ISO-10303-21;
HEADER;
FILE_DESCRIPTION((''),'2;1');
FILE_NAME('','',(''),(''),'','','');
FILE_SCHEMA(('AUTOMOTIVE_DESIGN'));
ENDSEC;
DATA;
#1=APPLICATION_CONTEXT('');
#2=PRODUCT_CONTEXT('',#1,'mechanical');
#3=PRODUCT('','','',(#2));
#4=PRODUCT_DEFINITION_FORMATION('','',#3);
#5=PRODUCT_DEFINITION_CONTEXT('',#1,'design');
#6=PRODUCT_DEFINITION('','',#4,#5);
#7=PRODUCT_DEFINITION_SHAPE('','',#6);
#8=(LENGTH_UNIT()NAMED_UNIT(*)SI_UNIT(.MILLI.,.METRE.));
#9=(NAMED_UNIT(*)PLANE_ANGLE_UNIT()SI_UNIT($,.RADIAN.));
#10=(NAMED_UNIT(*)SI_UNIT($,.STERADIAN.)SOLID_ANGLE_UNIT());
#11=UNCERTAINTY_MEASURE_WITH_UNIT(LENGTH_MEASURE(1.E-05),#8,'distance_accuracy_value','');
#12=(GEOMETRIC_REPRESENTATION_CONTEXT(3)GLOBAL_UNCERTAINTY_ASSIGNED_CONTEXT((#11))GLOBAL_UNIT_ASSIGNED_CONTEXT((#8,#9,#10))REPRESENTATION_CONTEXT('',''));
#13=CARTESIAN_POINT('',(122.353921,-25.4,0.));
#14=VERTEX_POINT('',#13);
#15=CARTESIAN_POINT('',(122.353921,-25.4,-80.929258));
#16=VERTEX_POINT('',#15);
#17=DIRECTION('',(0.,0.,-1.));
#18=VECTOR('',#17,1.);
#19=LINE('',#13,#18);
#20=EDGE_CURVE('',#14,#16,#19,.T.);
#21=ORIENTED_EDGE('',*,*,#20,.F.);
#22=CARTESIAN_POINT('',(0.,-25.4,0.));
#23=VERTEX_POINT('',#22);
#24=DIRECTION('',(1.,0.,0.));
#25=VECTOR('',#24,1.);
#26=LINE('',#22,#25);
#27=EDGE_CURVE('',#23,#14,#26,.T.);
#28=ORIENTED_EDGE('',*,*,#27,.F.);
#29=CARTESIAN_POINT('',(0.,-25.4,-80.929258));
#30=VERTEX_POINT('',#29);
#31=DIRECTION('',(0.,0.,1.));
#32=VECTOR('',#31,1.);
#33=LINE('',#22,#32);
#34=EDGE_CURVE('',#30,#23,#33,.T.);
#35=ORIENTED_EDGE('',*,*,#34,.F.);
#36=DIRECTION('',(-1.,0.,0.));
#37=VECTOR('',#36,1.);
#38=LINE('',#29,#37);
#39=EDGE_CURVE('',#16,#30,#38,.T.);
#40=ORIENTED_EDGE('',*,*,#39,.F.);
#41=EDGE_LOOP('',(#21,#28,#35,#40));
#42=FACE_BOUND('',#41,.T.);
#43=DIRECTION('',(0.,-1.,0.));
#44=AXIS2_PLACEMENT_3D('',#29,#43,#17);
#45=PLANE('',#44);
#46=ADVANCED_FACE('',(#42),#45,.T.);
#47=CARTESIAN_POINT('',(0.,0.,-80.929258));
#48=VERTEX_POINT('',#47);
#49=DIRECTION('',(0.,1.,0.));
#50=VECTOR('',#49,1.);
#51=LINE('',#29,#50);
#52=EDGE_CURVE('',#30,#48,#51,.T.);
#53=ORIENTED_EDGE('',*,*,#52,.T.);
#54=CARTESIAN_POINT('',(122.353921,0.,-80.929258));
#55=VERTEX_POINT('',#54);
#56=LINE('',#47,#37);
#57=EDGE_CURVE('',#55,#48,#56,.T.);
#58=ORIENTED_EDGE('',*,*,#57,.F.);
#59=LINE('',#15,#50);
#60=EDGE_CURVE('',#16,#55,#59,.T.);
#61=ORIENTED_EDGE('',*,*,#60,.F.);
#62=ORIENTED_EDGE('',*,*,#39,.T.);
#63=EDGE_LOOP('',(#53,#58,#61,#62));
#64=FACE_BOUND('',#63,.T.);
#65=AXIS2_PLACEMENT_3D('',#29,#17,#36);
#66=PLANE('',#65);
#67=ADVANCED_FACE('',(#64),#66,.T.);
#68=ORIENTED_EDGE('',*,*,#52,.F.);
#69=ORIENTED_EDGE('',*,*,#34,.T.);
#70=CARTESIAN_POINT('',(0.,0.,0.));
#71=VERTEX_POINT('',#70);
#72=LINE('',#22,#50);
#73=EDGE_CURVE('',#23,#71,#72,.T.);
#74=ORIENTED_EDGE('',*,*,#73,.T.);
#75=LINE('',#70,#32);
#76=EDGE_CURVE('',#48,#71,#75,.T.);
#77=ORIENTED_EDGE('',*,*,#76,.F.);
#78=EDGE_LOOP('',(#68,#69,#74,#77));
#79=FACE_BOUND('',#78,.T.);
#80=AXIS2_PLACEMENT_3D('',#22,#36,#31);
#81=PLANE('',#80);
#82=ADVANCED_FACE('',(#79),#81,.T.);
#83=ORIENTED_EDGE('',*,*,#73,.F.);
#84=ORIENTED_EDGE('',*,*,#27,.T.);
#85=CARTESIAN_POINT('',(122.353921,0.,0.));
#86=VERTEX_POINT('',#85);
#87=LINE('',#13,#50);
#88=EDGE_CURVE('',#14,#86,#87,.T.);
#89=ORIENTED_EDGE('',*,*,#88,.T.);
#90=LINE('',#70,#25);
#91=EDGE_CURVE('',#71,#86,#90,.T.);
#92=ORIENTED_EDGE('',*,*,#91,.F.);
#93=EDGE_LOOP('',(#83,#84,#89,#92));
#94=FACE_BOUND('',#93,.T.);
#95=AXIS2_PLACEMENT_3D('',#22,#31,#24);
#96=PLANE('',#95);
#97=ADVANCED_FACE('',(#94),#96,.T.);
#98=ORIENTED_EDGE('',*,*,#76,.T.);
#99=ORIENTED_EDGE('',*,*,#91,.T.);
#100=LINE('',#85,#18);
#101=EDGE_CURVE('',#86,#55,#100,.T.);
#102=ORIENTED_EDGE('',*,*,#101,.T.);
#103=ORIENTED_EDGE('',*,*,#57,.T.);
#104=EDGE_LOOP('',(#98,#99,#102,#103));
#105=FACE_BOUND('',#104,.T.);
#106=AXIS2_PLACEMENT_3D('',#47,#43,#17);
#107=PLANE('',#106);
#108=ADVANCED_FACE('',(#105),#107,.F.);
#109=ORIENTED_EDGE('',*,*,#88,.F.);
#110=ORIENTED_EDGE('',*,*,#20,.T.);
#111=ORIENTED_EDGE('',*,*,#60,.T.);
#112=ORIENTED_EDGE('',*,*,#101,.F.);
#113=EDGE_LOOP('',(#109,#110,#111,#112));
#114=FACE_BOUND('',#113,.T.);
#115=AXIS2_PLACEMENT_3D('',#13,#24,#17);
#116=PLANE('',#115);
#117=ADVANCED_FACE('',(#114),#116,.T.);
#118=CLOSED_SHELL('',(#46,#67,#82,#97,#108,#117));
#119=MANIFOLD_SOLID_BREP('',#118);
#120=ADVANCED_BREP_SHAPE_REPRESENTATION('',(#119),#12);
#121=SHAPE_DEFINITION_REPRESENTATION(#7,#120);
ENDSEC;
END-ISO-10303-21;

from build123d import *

# Parameters (mm, degrees)
SKETCH3_W      = 122.353921001
SKETCH3_H      = 80.929258312
EXTRUDE3_DEPTH = 25.4


with BuildPart() as part:
    # Sketch3 → Extrude3 (new body)
    with BuildSketch(Plane(origin=(0, 0, 0), x_dir=(1, 0, 0), z_dir=(0, 1, 0))):
        with Locations((61.176960501, 40.464629156)):
            Rectangle(SKETCH3_W, SKETCH3_H)
    extrude(amount=-EXTRUDE3_DEPTH)


solid = part.part
